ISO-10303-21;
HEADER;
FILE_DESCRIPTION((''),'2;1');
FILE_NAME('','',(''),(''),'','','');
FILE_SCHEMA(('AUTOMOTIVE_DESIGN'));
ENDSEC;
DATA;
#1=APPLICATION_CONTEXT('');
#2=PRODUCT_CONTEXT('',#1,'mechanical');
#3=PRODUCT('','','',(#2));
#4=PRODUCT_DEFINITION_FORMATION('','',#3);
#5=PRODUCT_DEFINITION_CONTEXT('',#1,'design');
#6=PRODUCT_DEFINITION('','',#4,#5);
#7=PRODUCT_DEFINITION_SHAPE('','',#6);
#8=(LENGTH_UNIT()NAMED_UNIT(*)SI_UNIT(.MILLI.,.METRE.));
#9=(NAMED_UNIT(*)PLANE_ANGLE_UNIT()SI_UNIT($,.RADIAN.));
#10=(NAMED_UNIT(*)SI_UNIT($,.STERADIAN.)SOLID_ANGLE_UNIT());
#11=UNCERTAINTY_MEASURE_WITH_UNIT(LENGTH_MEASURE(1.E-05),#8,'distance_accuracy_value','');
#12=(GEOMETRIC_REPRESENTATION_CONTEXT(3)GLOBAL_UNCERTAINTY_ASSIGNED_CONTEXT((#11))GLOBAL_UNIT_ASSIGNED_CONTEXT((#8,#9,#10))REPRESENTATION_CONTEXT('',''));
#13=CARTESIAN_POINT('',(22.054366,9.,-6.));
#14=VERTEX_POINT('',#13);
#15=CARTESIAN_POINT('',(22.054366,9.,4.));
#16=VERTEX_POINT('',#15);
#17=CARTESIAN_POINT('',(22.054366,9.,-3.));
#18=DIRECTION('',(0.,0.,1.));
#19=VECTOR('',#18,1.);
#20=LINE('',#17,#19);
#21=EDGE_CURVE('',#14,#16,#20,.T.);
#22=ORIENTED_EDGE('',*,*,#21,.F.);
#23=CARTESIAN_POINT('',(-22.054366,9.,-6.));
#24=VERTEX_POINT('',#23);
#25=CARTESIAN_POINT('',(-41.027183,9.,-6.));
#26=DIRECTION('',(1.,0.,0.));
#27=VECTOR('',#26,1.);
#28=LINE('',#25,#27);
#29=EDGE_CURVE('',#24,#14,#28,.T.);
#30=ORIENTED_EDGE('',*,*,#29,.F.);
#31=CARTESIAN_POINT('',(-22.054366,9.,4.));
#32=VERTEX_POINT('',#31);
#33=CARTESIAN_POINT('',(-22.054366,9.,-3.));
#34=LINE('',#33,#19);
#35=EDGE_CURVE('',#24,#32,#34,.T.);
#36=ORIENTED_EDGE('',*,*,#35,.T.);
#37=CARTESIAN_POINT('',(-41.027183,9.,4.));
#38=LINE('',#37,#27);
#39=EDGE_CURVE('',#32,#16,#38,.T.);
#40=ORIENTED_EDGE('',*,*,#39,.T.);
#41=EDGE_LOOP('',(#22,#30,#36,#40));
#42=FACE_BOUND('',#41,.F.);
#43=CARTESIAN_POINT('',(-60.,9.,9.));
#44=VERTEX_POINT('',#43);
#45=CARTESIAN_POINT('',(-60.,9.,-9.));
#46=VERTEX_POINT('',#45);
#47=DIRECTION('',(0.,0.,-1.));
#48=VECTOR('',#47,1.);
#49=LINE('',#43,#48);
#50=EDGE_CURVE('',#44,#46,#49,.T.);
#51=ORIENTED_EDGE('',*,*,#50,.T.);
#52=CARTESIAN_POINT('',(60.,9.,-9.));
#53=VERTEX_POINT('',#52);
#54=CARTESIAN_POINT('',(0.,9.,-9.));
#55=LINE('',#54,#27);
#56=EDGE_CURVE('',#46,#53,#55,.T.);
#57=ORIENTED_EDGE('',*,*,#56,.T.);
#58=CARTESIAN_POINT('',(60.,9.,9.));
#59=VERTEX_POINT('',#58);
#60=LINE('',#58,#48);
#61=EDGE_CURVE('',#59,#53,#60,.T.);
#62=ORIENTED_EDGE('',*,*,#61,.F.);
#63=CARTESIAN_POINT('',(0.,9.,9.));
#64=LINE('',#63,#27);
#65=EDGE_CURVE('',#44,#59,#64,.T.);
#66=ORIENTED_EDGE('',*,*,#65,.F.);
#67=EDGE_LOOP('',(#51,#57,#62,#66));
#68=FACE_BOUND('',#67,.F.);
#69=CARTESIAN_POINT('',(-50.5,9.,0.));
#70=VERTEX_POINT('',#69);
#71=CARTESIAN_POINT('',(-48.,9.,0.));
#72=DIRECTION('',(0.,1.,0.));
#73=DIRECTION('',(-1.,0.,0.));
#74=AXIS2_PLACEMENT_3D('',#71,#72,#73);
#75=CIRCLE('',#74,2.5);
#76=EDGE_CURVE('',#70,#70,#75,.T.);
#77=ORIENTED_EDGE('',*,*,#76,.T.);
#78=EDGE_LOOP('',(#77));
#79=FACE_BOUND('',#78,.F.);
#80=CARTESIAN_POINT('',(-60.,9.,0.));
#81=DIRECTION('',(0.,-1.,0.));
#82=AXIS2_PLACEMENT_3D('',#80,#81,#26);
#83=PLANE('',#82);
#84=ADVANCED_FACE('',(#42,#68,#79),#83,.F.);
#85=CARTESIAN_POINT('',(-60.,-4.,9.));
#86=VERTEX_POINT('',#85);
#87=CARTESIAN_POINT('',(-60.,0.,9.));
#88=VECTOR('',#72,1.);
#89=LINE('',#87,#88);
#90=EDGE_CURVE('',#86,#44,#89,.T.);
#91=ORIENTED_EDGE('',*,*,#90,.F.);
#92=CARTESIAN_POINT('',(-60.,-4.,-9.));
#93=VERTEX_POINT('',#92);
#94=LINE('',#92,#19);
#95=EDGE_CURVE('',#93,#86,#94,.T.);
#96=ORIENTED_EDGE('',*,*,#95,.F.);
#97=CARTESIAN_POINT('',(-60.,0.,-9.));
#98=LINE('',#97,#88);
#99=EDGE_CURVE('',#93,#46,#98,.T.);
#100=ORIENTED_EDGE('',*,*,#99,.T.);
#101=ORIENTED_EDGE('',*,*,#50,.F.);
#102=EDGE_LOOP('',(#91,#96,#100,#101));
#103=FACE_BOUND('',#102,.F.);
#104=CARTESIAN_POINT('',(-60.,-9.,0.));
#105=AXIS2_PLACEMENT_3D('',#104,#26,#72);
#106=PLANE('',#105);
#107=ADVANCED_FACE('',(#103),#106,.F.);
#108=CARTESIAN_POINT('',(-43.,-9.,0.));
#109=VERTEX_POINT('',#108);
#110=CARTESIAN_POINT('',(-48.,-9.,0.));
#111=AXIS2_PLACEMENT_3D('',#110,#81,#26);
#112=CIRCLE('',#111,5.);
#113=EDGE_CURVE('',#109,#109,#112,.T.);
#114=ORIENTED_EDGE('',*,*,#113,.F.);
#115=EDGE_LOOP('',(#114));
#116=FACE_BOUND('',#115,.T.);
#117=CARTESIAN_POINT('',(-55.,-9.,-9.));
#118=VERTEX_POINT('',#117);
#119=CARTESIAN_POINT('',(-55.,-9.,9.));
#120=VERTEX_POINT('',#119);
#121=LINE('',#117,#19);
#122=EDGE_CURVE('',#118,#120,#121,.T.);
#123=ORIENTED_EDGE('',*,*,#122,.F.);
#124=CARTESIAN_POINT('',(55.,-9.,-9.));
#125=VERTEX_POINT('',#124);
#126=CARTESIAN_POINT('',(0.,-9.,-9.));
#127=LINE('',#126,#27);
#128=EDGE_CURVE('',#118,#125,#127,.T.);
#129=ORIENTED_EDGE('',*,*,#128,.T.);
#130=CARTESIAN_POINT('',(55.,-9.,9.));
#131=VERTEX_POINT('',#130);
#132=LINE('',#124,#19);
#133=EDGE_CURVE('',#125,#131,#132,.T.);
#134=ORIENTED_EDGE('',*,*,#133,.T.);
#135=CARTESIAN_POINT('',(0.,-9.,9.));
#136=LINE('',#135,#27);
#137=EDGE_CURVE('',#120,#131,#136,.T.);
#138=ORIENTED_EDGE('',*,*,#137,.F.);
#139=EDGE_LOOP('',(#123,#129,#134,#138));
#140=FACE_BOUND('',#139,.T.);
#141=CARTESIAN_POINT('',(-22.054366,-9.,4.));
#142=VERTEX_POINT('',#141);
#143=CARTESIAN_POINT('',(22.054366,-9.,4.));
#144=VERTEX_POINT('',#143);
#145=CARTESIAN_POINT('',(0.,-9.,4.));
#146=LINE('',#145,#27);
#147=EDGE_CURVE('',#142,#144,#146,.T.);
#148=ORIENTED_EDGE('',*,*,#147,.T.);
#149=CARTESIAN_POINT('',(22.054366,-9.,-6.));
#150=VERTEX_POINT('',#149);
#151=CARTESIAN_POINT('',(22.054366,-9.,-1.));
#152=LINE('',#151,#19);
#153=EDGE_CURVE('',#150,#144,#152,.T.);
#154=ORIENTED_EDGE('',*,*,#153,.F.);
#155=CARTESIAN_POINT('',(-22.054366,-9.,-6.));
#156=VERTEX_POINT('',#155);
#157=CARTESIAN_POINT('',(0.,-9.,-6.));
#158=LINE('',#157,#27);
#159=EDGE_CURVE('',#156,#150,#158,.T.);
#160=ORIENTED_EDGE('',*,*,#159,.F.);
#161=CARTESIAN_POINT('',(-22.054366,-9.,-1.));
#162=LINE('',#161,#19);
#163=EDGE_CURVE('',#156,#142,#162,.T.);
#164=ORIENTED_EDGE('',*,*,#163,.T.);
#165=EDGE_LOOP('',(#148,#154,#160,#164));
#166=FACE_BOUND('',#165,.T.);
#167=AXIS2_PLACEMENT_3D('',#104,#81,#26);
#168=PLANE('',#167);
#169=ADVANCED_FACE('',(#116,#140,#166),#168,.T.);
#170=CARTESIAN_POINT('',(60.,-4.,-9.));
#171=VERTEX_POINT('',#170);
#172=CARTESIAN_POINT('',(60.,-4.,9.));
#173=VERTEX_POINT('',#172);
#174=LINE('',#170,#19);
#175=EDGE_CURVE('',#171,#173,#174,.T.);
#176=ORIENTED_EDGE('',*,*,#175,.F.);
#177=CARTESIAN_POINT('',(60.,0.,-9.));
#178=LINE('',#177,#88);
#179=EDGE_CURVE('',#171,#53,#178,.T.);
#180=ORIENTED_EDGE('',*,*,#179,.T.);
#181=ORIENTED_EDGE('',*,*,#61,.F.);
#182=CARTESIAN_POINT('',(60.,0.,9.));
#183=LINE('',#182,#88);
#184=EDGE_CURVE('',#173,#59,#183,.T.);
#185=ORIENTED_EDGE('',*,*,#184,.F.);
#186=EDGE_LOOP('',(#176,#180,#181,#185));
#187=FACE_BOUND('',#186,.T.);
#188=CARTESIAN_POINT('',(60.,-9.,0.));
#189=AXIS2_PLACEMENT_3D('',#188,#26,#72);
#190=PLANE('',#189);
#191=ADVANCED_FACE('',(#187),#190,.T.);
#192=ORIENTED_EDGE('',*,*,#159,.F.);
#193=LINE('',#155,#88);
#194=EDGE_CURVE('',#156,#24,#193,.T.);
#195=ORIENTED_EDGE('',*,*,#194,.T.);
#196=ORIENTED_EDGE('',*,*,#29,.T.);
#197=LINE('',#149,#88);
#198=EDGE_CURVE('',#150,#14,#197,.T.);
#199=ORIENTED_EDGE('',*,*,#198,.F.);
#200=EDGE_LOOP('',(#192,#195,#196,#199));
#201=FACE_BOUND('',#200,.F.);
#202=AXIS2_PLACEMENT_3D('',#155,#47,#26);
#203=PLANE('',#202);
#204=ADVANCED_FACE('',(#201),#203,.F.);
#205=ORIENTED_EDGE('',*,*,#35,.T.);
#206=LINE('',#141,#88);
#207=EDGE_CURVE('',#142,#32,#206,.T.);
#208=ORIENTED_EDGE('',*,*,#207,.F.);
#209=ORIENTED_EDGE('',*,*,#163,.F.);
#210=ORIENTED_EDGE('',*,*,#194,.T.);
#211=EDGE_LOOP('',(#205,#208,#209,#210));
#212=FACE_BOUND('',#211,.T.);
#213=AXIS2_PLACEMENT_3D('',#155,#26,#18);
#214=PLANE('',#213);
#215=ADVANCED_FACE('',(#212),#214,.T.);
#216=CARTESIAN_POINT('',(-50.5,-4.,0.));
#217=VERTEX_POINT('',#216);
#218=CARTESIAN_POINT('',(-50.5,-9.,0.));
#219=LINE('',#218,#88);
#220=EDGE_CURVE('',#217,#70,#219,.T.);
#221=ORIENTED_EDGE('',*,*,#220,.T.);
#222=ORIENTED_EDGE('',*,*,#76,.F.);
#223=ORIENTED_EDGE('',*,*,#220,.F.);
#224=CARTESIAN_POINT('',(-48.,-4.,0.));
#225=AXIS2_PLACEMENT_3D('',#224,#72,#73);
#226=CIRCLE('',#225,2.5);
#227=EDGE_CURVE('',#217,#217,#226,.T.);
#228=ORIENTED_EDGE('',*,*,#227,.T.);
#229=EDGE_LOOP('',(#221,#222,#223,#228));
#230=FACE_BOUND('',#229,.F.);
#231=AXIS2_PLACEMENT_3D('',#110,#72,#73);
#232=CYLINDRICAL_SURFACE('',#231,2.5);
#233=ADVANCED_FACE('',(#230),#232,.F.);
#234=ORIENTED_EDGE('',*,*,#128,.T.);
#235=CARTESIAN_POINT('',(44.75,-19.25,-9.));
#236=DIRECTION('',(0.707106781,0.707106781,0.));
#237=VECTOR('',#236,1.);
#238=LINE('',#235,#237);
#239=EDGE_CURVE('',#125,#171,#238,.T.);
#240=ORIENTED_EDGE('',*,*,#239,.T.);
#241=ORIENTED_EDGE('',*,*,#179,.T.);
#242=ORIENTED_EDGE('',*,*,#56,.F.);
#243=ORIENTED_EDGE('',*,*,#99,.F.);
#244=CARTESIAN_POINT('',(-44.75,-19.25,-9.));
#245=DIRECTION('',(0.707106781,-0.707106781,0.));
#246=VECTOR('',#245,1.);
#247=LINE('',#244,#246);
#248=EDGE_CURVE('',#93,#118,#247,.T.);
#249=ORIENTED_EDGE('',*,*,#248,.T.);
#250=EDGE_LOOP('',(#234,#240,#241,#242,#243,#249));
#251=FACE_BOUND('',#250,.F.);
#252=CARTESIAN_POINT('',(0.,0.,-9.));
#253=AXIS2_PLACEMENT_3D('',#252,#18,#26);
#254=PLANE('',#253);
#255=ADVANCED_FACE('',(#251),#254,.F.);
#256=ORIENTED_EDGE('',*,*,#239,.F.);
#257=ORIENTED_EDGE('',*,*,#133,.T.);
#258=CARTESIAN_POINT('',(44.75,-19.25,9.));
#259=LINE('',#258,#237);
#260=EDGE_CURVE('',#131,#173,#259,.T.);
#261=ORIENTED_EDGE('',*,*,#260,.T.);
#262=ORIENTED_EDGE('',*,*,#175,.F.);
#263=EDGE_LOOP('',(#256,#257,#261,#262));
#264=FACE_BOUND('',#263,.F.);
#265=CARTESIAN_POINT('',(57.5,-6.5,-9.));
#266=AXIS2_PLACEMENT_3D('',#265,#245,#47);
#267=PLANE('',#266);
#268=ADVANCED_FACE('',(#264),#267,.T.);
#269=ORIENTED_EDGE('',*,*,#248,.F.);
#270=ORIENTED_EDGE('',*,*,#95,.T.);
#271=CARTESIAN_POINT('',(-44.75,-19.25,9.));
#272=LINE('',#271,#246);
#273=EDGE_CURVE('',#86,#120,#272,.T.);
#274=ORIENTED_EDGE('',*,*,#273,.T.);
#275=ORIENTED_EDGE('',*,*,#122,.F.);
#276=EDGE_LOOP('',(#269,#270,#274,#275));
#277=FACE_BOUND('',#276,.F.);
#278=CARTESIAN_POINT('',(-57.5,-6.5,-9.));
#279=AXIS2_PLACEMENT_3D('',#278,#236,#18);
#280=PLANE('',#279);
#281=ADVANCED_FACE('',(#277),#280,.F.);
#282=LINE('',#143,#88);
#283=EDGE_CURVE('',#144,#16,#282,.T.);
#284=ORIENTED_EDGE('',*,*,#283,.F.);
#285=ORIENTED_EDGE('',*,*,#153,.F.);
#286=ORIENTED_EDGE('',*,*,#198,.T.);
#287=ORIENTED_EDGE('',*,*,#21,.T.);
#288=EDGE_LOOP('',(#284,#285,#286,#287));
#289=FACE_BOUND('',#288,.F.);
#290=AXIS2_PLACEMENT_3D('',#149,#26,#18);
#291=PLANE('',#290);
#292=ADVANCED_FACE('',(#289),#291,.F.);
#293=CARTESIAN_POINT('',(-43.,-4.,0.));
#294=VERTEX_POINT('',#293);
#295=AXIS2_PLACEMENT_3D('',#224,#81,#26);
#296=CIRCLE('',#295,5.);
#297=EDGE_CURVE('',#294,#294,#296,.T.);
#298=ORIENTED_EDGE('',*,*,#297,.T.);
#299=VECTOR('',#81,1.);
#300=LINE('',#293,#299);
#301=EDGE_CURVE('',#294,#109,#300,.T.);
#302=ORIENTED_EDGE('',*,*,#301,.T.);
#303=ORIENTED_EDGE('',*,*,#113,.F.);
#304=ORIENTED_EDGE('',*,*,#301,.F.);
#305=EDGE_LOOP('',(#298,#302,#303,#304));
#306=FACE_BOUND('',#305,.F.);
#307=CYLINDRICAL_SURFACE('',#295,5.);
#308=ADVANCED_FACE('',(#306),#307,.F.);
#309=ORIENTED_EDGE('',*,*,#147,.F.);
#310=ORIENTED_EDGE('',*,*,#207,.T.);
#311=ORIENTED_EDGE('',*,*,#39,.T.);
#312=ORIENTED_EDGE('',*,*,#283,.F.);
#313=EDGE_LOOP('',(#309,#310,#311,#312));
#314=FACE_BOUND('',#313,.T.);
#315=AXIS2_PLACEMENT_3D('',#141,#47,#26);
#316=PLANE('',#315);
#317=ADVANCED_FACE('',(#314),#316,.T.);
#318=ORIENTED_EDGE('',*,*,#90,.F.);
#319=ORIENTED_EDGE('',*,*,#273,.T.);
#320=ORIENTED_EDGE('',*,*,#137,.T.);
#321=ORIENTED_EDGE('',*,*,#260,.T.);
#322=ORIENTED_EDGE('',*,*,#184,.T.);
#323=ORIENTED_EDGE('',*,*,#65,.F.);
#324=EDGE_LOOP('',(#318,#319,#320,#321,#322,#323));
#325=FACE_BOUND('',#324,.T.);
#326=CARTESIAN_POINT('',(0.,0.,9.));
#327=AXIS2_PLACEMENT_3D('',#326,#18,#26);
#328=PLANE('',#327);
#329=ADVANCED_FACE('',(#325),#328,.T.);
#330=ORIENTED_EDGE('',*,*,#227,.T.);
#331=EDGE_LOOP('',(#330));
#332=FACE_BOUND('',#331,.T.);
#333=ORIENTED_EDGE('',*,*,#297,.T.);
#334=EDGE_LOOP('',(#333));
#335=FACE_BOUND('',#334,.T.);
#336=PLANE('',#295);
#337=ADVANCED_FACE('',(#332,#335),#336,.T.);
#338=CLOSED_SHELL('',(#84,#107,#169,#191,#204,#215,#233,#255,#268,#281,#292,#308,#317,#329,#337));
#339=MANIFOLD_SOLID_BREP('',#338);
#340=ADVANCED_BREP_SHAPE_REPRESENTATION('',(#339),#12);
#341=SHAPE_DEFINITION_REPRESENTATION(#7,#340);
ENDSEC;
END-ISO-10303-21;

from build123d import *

# Parameters (mm, degrees)
F0_W           = 120
F0_H           = 18
F1_DEPTH       = 9
F2_W           = 44.108732
F2_H           = 10
F3_DEPTH       = 25
F5_D           = 5
F5_CBORE_D     = 10
F5_CBORE_DEPTH = 5
F6_SIZE        = 5


with BuildPart() as f1:
    # F0 (on Top) → F1 (new body, symmetric)
    with BuildSketch(Plane.XY):
        Rectangle(F0_W, F0_H)
    extrude(amount=F1_DEPTH, both=True)

    # F2 (on face) → F3 (cut)
    with BuildSketch(Plane.XZ.offset(9)):
        with Locations((0, -1)):
            Rectangle(F2_W, F2_H)
    extrude(amount=-F3_DEPTH, mode=Mode.SUBTRACT)

    # F5 (through all)
    with Locations(Plane.XZ.offset(9)):
        with Locations((-48, 0)):
            CounterBoreHole(F5_D / 2, F5_CBORE_D / 2, F5_CBORE_DEPTH)

    # F6
    f6_edges = [f1.edges().sort_by_distance(p)[0] for p in [
        (60, -9, 0),
        (-60, -9, 0),
    ]]
    chamfer(f6_edges, length=F6_SIZE)


solid = f1.part
